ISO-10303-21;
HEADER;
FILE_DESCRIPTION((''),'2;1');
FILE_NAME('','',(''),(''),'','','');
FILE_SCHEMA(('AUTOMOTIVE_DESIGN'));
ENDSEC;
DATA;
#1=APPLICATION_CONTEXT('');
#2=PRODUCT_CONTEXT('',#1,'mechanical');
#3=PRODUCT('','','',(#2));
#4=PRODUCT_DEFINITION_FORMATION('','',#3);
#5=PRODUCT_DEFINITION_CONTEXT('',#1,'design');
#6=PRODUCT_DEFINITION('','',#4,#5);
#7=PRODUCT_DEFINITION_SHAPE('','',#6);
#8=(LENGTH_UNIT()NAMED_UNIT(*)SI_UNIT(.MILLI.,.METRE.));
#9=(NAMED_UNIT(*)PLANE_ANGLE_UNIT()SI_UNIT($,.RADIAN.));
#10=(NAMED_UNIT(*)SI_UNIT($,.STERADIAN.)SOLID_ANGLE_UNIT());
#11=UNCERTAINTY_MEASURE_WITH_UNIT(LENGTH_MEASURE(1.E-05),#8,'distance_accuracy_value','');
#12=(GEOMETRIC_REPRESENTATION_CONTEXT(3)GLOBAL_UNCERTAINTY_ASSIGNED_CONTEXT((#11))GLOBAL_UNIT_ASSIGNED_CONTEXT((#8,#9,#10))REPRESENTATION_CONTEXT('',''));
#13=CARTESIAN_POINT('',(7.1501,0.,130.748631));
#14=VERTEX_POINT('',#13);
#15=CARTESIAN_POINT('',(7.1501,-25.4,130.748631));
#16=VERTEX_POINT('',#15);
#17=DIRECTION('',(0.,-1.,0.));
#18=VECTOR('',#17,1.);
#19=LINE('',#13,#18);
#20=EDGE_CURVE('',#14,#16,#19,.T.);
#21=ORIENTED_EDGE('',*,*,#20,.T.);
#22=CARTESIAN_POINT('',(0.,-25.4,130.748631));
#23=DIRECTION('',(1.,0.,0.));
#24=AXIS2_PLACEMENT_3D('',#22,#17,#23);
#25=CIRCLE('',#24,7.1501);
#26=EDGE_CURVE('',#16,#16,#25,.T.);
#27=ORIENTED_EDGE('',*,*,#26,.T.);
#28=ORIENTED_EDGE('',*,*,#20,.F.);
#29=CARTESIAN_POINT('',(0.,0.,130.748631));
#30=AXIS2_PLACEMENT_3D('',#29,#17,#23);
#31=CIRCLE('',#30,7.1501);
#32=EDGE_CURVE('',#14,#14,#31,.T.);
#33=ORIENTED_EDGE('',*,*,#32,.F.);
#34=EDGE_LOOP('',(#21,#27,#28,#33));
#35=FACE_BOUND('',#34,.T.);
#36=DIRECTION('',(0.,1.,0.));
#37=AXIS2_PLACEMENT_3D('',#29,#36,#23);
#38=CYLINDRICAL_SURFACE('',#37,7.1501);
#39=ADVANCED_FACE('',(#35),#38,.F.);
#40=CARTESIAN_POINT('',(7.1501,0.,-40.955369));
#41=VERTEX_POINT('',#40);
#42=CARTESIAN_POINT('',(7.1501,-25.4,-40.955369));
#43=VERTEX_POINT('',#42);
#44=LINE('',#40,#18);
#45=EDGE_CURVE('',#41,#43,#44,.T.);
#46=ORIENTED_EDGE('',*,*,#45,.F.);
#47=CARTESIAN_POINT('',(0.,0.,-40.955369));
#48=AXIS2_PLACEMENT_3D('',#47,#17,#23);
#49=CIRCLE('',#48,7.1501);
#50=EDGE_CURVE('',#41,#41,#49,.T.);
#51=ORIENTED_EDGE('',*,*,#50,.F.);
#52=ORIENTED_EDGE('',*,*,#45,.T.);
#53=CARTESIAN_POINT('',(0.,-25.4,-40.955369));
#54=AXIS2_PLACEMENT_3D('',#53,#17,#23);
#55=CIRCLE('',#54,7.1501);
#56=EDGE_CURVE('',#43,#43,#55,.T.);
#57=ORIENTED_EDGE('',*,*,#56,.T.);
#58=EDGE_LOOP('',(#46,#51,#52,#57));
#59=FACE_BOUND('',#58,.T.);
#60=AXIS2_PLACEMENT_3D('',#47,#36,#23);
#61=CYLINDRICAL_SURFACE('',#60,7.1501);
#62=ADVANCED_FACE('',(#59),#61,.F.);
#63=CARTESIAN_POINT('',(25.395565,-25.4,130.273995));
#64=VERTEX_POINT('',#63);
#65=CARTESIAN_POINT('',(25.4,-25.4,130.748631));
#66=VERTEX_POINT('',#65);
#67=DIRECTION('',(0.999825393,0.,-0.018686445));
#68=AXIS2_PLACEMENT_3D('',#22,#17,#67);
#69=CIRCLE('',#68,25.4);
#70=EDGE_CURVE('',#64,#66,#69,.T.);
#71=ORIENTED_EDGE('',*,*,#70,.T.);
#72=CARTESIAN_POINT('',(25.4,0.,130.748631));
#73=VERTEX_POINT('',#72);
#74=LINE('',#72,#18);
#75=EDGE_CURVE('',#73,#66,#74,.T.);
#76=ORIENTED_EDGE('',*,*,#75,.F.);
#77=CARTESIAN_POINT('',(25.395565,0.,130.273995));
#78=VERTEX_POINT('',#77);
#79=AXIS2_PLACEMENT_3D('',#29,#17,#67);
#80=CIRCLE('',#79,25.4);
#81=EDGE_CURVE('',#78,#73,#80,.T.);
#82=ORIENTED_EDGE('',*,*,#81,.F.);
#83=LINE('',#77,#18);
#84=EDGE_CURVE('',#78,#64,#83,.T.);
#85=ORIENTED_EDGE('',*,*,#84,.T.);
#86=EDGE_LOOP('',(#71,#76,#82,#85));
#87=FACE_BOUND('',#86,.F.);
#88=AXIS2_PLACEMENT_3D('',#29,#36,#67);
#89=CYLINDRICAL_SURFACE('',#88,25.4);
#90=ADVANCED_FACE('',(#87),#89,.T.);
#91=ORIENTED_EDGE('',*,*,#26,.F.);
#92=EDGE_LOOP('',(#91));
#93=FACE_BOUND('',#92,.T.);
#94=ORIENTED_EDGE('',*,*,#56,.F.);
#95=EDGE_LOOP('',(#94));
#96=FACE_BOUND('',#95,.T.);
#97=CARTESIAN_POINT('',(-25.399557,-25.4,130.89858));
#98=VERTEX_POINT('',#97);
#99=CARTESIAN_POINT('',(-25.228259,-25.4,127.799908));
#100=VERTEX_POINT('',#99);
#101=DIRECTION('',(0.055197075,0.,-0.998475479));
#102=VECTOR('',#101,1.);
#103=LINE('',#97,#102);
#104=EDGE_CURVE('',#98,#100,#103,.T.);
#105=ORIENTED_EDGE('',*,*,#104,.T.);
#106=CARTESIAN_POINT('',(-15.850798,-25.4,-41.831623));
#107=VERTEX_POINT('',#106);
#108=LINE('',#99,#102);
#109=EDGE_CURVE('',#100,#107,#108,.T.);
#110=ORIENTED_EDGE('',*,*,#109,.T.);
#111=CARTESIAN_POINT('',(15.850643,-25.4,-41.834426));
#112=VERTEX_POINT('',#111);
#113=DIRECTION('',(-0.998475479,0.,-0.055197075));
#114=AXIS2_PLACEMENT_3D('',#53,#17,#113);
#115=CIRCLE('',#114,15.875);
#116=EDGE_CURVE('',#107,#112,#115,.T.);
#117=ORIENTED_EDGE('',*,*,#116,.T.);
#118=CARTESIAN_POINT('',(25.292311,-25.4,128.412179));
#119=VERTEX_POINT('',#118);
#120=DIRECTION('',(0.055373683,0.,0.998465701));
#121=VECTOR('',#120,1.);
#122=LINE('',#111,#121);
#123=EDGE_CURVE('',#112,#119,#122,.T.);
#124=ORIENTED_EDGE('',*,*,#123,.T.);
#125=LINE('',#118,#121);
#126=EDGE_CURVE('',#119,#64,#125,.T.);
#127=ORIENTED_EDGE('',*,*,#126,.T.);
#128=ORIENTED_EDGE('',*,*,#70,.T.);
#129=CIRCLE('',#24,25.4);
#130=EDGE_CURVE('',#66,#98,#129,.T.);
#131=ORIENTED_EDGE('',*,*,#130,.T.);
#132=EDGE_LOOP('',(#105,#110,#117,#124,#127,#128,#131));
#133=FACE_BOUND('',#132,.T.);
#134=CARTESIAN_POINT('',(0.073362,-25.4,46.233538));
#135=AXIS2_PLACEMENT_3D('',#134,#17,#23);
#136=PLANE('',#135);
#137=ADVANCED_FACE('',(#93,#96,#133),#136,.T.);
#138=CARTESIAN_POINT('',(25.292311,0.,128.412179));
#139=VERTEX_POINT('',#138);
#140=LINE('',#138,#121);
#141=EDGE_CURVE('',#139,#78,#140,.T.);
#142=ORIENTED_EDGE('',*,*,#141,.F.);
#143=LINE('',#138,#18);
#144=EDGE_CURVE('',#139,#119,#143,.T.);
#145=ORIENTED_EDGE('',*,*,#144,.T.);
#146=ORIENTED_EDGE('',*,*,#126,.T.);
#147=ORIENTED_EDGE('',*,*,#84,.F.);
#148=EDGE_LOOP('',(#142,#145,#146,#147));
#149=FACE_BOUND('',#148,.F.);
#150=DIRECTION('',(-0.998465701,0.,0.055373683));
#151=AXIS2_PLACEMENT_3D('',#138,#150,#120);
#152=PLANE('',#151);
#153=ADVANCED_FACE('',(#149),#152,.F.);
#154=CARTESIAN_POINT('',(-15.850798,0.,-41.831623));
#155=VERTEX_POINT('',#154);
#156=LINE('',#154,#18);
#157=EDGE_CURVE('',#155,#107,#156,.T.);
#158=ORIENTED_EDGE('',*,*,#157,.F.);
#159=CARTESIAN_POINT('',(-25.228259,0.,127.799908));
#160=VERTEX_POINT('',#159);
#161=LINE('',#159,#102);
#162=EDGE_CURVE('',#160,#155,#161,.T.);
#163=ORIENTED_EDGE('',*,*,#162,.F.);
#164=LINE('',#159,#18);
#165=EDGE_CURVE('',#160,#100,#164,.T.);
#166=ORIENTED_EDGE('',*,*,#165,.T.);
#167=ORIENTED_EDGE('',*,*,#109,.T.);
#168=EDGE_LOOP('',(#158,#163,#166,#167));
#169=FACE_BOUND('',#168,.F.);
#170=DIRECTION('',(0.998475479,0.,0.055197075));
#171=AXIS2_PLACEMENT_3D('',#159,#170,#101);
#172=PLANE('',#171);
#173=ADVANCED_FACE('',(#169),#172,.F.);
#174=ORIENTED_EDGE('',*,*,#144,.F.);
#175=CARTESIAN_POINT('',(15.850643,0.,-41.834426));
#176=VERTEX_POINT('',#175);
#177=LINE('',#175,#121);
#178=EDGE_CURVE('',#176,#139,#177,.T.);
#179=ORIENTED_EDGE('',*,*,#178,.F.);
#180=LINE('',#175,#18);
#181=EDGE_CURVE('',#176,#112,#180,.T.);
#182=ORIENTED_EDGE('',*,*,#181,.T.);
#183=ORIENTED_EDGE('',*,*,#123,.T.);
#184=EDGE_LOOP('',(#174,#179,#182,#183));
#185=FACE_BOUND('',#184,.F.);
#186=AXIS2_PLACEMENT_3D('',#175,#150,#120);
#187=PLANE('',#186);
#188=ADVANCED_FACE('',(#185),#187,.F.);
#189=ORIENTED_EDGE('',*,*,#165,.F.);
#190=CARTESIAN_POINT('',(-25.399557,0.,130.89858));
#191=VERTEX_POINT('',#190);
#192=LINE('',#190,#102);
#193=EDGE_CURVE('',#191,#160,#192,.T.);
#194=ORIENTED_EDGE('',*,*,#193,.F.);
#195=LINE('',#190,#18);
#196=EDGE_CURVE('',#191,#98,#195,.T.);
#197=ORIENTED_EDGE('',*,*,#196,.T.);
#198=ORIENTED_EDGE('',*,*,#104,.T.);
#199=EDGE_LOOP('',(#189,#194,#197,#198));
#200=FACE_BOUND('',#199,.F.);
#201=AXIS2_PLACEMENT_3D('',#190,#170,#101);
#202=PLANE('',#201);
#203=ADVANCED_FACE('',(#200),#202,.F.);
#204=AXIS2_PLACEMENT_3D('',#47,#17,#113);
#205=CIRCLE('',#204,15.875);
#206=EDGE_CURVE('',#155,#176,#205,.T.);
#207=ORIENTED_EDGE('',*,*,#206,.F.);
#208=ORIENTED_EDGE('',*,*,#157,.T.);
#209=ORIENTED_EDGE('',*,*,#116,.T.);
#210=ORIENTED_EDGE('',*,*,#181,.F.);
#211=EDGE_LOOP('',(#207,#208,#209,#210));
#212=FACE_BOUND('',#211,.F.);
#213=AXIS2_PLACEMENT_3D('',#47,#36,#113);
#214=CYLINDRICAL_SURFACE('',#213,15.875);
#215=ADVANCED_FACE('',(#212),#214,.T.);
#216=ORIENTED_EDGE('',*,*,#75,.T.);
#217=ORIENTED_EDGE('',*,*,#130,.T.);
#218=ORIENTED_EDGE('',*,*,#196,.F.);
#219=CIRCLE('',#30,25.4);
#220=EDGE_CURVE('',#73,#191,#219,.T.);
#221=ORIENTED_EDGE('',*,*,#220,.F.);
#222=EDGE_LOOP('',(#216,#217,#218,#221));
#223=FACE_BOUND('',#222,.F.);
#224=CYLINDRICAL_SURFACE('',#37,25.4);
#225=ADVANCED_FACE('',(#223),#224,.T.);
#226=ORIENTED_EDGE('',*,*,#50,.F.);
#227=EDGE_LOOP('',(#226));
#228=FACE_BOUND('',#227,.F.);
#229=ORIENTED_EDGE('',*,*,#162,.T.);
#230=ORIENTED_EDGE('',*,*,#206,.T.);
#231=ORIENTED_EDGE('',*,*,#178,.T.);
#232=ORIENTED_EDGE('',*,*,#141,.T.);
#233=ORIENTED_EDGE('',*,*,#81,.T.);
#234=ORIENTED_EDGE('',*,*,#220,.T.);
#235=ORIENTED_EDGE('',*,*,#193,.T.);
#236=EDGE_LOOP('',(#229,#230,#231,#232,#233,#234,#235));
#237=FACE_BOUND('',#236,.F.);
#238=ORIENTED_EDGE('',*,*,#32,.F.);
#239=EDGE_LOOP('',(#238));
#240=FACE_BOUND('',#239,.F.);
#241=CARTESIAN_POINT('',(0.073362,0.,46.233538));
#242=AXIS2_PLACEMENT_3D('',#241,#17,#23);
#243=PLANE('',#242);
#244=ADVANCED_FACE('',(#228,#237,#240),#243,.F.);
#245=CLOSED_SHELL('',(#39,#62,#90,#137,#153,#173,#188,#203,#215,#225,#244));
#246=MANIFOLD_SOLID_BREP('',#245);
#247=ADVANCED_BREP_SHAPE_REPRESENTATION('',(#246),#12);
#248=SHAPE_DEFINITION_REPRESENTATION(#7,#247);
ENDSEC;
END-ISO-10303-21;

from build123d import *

# Parameters (mm, degrees)
F0_R     = 7.1501
F1_DEPTH = 25.4


with BuildPart() as f1:
    # F0 (on Front) → F1 (new body)
    with BuildSketch(Plane.XZ):
        with BuildLine():
            ThreePointArc((25.2923109526, 128.4121790948), (0.3078063491, 105.3504959458), (-25.2282585963, 127.7999076763))
            Line((-25.2282585963, 127.7999076763), (-15.8507982355, -41.8316227352))
            ThreePointArc((-15.8507982355, -41.8316227352), (-0.4382938581, -25.0864207714), (15.875, -40.9553691768))
            ThreePointArc((15.875, -40.9553691768), (15.8689095808, -41.3950664769), (15.8506429964, -41.8344263987))
            Line((15.8506429964, -41.8344263987), (25.2923109526, 128.4121790948))
        make_face()
        with BuildLine():
            ThreePointArc((25.3955649857, 130.273995114), (25.3988912222, 130.5113026086), (25.4, 130.7486308232))
            ThreePointArc((25.4, 130.7486308232), (0.0749748393, 156.1485201689), (-25.3995573837, 130.8985798486))
            Line((-25.3995573837, 130.8985798486), (-25.2282585963, 127.7999076763))
            ThreePointArc((-25.2282585963, 127.7999076763), (0.3078063491, 105.3504959458), (25.2923109526, 128.4121790948))
            Line((25.2923109526, 128.4121790948), (25.3955649857, 130.273995114))
        make_face()
        with Locations((0, 130.7486308232)):
            Circle(F0_R, mode=Mode.SUBTRACT)
        with BuildLine():
            ThreePointArc((15.875, -40.9553691768), (-0.4382938581, -25.0864207714), (-15.8507982355, -41.8316227352))
            ThreePointArc((-15.8507982355, -41.8316227352), (-0.001403979, -56.8303691147), (15.8506429964, -41.8344263987))
            ThreePointArc((15.8506429964, -41.8344263987), (15.8689095808, -41.3950664769), (15.875, -40.9553691768))
        make_face()
        with Locations((0, -40.9553691768)):
            Circle(F0_R, mode=Mode.SUBTRACT)
    extrude(amount=F1_DEPTH)


solid = f1.part
